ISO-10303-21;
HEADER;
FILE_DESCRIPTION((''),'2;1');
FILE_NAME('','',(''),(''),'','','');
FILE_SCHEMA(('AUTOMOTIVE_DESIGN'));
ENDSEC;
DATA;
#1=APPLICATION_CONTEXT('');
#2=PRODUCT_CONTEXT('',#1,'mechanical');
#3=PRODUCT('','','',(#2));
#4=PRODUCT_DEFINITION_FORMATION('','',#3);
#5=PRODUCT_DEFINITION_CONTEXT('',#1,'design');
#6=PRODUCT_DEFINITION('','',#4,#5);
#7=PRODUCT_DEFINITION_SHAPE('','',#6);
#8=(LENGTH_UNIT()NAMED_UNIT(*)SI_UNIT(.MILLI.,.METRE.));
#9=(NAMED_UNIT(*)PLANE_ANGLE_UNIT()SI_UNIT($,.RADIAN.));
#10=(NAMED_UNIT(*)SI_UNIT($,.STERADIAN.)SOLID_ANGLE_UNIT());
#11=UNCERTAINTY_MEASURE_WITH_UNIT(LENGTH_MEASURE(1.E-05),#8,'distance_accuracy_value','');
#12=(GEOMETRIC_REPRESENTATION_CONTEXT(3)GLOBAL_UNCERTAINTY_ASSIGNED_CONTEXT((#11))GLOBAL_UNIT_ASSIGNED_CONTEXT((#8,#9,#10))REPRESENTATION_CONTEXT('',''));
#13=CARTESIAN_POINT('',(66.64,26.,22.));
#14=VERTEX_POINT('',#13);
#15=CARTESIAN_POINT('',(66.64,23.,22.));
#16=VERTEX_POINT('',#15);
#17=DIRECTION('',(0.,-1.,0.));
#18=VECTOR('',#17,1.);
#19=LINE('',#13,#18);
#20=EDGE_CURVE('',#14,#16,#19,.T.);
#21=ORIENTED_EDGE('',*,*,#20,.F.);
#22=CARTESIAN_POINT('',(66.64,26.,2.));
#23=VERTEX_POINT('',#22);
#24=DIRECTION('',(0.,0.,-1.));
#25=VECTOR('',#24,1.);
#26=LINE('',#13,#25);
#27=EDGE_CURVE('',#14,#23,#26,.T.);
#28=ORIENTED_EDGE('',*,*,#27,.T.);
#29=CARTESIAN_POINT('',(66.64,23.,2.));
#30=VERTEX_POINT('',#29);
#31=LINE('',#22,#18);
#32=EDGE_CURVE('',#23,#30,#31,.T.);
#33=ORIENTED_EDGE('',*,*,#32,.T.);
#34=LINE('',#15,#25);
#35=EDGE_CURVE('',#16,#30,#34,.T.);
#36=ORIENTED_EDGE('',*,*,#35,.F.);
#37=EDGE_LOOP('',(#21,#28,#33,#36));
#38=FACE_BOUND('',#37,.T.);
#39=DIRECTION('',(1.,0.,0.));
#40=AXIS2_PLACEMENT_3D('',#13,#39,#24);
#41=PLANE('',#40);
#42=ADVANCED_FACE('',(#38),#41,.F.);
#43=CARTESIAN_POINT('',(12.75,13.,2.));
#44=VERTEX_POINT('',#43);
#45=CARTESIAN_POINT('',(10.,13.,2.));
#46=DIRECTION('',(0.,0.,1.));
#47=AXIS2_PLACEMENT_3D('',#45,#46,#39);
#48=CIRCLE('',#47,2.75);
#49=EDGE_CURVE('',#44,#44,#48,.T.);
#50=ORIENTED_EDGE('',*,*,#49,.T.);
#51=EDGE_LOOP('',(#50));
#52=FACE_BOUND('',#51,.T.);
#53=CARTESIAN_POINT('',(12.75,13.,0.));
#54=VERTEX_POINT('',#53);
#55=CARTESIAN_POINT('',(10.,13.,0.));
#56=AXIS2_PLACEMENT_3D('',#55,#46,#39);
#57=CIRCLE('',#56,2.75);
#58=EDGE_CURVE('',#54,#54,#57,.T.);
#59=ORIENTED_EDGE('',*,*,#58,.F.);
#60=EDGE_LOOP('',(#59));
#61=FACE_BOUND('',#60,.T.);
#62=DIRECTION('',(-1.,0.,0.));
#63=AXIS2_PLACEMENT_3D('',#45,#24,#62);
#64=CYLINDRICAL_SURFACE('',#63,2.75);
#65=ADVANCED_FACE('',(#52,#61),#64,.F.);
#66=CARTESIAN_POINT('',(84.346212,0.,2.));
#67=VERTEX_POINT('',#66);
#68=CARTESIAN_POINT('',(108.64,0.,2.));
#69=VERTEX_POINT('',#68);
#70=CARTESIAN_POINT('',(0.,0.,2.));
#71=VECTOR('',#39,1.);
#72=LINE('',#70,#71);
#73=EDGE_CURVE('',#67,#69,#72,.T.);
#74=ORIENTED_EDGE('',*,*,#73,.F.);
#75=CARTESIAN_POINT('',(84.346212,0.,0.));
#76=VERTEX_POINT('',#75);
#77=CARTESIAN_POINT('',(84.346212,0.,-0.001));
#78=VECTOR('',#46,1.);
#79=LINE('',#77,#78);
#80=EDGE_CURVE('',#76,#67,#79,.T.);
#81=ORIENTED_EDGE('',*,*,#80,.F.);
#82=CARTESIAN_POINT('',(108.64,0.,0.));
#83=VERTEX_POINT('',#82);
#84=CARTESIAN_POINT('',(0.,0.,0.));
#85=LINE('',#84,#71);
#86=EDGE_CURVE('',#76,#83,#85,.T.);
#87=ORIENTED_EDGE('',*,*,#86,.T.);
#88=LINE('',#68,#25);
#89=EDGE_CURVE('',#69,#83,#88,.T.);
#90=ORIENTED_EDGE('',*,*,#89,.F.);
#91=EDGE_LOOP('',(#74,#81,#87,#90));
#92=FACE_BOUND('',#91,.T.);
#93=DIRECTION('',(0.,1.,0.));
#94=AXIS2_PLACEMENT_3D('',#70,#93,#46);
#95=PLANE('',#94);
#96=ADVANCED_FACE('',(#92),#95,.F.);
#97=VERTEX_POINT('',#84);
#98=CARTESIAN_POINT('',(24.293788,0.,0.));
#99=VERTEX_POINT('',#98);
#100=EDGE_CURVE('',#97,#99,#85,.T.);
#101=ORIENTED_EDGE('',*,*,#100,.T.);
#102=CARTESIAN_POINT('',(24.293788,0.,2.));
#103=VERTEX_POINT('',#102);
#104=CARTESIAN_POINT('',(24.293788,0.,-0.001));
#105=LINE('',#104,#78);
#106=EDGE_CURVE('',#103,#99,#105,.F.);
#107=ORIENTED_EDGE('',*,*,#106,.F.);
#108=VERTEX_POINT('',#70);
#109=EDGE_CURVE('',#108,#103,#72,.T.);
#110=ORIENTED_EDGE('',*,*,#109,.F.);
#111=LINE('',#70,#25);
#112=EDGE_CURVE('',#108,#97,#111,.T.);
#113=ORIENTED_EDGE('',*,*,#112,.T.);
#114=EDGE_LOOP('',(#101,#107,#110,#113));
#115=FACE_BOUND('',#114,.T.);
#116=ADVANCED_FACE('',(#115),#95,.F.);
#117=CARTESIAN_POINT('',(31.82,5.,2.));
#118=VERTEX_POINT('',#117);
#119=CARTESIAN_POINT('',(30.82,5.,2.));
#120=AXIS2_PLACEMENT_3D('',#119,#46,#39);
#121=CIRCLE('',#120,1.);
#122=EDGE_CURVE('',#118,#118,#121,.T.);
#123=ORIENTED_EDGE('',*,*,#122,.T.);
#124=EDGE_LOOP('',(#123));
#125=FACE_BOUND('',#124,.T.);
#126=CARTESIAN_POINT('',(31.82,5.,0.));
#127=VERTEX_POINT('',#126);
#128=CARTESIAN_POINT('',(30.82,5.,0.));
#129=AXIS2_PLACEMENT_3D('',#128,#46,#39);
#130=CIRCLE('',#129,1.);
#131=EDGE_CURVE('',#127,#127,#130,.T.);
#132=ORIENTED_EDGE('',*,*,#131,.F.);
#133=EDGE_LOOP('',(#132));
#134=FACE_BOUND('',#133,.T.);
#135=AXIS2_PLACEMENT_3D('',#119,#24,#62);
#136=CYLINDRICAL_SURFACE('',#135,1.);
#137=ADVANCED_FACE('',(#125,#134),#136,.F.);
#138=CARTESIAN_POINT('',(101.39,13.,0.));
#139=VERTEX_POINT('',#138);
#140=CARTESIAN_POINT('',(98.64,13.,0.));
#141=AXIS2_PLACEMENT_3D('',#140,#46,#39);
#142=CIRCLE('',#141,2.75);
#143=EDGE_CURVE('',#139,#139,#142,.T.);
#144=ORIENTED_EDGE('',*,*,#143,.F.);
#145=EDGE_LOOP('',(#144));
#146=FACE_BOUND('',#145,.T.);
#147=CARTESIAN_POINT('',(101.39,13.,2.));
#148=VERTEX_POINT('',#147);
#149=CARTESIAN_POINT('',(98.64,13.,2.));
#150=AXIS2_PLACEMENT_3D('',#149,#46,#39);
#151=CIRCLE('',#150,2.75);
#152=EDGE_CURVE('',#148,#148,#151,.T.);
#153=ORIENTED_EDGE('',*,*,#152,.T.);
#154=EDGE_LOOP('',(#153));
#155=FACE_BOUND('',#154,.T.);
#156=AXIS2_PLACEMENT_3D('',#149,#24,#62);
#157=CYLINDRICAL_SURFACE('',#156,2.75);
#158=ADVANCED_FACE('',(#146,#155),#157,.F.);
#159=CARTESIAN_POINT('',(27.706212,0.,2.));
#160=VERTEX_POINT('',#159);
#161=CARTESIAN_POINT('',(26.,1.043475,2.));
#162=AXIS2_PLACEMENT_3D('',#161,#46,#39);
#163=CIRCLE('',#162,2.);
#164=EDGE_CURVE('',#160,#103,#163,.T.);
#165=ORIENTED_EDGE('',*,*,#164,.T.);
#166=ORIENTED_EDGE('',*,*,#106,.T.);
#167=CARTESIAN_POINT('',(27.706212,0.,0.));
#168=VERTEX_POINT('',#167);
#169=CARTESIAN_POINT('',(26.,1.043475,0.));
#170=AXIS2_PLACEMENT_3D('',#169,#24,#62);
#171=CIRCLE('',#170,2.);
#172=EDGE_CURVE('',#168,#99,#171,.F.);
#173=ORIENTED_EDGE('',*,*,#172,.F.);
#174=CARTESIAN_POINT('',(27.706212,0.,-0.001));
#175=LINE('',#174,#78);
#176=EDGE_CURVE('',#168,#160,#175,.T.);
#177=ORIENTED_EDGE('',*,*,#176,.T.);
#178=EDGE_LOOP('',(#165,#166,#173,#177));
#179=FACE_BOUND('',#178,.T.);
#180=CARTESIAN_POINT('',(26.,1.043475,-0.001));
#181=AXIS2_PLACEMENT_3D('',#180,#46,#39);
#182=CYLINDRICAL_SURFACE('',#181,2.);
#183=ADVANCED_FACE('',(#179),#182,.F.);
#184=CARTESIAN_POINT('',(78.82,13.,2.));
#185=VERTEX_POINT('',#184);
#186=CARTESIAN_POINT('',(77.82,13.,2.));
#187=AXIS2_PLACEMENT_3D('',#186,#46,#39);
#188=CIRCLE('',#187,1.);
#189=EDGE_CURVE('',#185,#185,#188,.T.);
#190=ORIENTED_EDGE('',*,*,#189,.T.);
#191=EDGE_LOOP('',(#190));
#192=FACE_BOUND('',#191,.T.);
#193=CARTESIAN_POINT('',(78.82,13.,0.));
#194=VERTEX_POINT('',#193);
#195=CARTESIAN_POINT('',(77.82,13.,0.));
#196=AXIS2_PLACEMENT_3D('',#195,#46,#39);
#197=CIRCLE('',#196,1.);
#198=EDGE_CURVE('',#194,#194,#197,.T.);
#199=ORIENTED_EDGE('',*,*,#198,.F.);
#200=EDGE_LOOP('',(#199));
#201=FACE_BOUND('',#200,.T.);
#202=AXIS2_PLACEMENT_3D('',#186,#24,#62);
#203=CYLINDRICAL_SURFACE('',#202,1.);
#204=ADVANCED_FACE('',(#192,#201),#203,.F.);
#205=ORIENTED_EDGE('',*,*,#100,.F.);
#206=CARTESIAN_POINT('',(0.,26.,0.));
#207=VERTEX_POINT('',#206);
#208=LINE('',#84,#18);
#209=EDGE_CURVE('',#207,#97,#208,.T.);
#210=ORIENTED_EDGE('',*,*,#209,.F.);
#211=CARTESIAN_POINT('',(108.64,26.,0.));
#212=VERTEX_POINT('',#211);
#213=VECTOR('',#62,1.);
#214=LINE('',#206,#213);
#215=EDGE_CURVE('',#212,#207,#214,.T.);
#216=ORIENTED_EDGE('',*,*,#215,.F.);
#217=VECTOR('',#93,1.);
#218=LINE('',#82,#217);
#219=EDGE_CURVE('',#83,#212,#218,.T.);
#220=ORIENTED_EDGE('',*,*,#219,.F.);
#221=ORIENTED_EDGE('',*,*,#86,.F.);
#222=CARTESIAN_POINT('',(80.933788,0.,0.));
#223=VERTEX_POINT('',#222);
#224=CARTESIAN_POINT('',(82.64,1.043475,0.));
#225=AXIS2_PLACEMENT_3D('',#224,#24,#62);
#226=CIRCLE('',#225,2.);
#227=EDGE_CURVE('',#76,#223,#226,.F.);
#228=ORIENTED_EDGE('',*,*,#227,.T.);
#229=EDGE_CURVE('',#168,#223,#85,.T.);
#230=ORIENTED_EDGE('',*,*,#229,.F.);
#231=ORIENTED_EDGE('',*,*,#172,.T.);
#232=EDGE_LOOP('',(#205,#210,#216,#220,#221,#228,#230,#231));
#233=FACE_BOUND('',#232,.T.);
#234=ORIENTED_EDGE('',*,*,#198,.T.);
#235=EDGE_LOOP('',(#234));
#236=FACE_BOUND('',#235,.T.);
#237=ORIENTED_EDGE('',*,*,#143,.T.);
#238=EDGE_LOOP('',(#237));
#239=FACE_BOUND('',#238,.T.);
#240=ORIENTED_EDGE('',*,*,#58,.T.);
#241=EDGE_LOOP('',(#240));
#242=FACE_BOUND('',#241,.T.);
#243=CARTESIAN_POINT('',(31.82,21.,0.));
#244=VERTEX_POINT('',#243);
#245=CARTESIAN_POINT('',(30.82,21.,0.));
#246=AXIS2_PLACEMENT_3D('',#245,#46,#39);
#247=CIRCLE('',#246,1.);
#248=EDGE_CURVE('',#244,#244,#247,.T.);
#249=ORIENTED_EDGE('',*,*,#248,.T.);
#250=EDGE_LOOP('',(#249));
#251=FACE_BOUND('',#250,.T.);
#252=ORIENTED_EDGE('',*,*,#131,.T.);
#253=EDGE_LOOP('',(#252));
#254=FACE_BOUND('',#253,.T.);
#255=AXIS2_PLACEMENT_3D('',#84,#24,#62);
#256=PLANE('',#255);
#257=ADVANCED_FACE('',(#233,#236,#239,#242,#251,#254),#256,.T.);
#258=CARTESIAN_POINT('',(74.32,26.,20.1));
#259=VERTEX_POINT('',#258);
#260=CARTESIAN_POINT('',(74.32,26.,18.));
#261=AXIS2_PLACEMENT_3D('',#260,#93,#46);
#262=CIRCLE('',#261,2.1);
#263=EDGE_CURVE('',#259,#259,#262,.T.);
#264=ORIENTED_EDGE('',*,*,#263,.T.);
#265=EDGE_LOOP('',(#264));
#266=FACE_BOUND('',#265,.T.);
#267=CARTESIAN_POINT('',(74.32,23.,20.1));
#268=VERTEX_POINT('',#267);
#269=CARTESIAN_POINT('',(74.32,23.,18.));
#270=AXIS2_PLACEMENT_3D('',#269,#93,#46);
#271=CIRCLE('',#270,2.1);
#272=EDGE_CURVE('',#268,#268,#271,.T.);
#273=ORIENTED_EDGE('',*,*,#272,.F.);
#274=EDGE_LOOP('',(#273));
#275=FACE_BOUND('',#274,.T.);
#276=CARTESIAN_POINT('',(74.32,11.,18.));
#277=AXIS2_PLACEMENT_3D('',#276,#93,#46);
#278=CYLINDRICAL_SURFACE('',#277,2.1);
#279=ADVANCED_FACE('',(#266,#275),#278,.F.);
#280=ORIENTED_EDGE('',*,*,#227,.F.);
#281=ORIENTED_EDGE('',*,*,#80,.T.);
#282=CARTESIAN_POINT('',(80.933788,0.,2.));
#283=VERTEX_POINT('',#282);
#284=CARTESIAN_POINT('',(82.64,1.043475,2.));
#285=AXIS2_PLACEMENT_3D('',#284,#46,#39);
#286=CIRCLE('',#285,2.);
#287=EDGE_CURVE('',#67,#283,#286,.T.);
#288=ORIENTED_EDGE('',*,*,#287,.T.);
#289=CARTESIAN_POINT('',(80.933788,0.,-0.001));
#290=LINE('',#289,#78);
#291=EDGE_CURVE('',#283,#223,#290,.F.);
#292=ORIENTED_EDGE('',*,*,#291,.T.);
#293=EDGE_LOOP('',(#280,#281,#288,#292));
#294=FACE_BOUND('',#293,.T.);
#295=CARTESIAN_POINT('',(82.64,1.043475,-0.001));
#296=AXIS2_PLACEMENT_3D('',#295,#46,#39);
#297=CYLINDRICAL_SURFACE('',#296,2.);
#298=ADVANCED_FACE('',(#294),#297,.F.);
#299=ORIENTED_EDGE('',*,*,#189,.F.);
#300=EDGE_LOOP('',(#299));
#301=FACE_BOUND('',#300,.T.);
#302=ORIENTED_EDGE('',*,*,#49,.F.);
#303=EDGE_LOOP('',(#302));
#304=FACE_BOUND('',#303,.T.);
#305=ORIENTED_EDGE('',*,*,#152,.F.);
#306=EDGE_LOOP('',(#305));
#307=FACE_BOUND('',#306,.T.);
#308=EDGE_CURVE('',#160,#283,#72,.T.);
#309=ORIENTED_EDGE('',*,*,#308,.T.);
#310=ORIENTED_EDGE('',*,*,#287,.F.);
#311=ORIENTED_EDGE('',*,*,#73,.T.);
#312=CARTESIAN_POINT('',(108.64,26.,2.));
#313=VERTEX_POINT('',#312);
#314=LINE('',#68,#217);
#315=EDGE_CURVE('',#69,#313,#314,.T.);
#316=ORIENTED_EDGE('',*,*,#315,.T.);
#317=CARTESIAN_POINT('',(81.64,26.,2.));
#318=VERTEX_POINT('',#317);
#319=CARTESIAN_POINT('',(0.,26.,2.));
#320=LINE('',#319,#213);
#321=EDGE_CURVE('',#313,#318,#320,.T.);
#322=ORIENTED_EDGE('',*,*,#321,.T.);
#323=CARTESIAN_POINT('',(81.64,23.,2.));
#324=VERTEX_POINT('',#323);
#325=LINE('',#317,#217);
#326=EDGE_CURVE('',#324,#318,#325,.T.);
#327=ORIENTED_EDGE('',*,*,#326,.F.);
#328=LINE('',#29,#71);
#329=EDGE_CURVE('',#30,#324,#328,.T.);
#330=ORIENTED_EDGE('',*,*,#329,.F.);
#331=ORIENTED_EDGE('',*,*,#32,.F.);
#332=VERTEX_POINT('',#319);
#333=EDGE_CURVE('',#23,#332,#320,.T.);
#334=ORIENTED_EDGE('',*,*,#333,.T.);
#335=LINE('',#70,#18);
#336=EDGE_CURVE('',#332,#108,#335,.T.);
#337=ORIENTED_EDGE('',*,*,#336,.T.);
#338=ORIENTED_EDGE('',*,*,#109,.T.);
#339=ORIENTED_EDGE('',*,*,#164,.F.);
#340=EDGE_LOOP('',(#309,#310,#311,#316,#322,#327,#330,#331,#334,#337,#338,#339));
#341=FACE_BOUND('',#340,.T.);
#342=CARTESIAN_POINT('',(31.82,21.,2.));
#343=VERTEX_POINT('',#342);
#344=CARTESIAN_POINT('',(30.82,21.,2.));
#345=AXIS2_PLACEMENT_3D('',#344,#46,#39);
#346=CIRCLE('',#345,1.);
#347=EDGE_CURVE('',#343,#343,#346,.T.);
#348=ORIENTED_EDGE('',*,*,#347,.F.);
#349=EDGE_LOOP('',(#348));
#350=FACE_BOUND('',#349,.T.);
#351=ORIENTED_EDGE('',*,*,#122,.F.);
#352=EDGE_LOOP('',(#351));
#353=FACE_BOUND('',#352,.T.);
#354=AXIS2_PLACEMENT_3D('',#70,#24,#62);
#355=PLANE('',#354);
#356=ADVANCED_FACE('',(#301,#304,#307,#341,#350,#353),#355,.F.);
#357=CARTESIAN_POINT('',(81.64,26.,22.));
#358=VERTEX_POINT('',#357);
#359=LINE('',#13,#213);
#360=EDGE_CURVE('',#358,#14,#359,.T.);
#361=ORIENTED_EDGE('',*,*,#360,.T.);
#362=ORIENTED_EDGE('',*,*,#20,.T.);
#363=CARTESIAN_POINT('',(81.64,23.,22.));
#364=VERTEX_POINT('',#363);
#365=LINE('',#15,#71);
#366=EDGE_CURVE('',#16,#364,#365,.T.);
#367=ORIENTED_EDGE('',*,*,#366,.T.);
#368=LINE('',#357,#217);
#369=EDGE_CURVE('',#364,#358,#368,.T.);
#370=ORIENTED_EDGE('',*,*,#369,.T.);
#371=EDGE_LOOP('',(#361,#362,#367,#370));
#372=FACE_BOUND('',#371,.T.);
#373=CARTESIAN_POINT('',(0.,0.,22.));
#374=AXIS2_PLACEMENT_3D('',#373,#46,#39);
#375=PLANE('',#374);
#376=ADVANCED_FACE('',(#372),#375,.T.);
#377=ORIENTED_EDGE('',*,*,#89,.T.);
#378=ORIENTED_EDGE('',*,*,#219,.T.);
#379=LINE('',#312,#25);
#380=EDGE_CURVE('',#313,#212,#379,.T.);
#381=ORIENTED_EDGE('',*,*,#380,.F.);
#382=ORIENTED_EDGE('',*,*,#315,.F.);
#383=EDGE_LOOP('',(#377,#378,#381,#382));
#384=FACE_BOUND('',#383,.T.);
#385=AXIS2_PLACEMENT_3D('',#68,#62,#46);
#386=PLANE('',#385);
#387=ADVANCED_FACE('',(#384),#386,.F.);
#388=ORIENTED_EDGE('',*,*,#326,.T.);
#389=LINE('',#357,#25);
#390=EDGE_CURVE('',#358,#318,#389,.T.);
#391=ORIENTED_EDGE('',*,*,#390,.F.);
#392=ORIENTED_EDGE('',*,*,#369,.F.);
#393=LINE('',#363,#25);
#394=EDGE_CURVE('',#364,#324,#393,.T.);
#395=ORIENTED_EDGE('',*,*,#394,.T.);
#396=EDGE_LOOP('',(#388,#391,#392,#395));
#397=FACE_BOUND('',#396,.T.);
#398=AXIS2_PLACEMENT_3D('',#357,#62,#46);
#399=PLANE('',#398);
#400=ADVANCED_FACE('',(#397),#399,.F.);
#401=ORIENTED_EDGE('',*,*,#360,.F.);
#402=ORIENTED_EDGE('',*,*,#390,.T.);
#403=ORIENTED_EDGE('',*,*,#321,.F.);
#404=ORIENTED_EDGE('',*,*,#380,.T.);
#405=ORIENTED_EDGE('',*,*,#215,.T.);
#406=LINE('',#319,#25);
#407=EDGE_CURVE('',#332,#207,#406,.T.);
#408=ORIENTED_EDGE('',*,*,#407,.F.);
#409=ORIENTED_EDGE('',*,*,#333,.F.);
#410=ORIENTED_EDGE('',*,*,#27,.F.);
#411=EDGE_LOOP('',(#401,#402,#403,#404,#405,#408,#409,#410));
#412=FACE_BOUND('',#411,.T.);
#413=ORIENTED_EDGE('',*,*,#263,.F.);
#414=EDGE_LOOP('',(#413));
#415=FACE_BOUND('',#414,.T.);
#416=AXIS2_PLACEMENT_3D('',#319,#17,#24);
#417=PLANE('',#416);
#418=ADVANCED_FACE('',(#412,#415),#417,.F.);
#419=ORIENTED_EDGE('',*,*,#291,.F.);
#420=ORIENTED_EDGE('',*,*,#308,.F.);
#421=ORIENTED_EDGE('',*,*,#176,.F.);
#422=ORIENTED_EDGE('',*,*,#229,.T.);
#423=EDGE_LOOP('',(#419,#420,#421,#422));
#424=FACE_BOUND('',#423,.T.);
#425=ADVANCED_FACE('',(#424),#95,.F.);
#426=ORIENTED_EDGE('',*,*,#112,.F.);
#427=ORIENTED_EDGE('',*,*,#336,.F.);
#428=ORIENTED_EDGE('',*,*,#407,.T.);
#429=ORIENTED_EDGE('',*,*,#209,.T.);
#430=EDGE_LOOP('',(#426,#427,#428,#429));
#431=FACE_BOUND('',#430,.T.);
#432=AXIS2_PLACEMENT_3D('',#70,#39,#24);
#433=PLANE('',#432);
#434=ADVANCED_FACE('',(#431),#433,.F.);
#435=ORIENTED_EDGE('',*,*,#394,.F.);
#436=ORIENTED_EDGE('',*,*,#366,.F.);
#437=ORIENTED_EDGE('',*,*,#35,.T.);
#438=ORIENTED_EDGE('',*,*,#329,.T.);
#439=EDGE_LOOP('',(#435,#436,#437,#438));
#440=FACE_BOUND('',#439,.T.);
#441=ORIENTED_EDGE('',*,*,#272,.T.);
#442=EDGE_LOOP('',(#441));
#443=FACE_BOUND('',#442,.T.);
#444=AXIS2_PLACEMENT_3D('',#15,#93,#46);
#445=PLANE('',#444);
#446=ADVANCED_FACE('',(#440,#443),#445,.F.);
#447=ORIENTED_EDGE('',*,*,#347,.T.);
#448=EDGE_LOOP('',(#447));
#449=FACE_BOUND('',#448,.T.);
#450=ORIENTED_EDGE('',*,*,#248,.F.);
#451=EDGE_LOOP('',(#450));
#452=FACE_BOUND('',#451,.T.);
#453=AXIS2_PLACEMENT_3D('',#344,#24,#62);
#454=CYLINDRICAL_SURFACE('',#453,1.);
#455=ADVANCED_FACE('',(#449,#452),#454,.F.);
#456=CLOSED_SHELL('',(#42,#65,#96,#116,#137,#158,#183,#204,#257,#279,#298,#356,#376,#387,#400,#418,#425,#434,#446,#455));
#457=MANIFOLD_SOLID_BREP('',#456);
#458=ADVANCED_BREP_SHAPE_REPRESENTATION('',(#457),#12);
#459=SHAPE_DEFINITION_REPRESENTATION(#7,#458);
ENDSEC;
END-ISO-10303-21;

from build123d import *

# Parameters (mm, degrees)
SKETCH1_W           = 108.64
SKETCH1_H           = 26
SKETCH1_R           = 1
SKETCH1_R_2         = 2.75
BOSS_EXTRUDE1_DEPTH = 2
CUT_EXTRUDE2_REACH  = 4
SKETCH5_R           = 2
SKETCH3_W           = 15
SKETCH3_H           = 3
BOSS_EXTRUDE2_DEPTH = 20
SKETCH4_R           = 2.1
CUT_EXTRUDE1_DEPTH  = 15


with BuildPart() as part:
    # Sketch1 → Boss-Extrude1 (new body)
    with BuildSketch(Plane.XY):
        with Locations((54.32, 13)):
            Rectangle(SKETCH1_W, SKETCH1_H)
        with Locations((30.82, 21)):
            Circle(SKETCH1_R, mode=Mode.SUBTRACT)
        with Locations((30.82, 5)):
            Circle(SKETCH1_R, mode=Mode.SUBTRACT)
        with Locations((77.82, 13)):
            Circle(SKETCH1_R, mode=Mode.SUBTRACT)
        with Locations((10, 13)):
            Circle(SKETCH1_R_2, mode=Mode.SUBTRACT)
        with Locations((98.64, 13)):
            Circle(SKETCH1_R_2, mode=Mode.SUBTRACT)
    extrude(amount=BOSS_EXTRUDE1_DEPTH)

    # Sketch5 → Cut-Extrude2 (cut, up to next)
    with BuildSketch(Plane.XY.offset(2), mode=Mode.PRIVATE) as cut_extrude2_sk1:
        with Locations((26, 1.043474904)):
            Circle(SKETCH5_R)
    cut_extrude2_tool1 = extrude(cut_extrude2_sk1.sketch, amount=-CUT_EXTRUDE2_REACH, mode=Mode.PRIVATE) & part.part
    add(cut_extrude2_tool1.solids().sort_by_distance((26, 1.043475, 2))[0], mode=Mode.SUBTRACT)
    # Sketch5 → Cut-Extrude2 (cut, up to next)
    with BuildSketch(Plane.XY.offset(2), mode=Mode.PRIVATE) as cut_extrude2_sk2:
        with Locations((82.64, 1.043474904)):
            Circle(SKETCH5_R)
    cut_extrude2_tool2 = extrude(cut_extrude2_sk2.sketch, amount=-CUT_EXTRUDE2_REACH, mode=Mode.PRIVATE) & part.part
    add(cut_extrude2_tool2.solids().sort_by_distance((82.64, 1.043475, 2))[0], mode=Mode.SUBTRACT)

    # Sketch3 → Boss-Extrude2 (add)
    with BuildSketch(Plane.XY.offset(2)):
        with Locations((74.14, 24.5)):
            Rectangle(SKETCH3_W, SKETCH3_H)
    extrude(amount=BOSS_EXTRUDE2_DEPTH)

    # Sketch4 → Cut-Extrude1 (cut)
    with BuildSketch(Plane(origin=(0, 26, 0), x_dir=(1, 0, 0), z_dir=(0, 1, 0))):
        with Locations((74.32, -18)):
            Circle(SKETCH4_R)
    extrude(amount=-CUT_EXTRUDE1_DEPTH, mode=Mode.SUBTRACT)


solid = part.part
